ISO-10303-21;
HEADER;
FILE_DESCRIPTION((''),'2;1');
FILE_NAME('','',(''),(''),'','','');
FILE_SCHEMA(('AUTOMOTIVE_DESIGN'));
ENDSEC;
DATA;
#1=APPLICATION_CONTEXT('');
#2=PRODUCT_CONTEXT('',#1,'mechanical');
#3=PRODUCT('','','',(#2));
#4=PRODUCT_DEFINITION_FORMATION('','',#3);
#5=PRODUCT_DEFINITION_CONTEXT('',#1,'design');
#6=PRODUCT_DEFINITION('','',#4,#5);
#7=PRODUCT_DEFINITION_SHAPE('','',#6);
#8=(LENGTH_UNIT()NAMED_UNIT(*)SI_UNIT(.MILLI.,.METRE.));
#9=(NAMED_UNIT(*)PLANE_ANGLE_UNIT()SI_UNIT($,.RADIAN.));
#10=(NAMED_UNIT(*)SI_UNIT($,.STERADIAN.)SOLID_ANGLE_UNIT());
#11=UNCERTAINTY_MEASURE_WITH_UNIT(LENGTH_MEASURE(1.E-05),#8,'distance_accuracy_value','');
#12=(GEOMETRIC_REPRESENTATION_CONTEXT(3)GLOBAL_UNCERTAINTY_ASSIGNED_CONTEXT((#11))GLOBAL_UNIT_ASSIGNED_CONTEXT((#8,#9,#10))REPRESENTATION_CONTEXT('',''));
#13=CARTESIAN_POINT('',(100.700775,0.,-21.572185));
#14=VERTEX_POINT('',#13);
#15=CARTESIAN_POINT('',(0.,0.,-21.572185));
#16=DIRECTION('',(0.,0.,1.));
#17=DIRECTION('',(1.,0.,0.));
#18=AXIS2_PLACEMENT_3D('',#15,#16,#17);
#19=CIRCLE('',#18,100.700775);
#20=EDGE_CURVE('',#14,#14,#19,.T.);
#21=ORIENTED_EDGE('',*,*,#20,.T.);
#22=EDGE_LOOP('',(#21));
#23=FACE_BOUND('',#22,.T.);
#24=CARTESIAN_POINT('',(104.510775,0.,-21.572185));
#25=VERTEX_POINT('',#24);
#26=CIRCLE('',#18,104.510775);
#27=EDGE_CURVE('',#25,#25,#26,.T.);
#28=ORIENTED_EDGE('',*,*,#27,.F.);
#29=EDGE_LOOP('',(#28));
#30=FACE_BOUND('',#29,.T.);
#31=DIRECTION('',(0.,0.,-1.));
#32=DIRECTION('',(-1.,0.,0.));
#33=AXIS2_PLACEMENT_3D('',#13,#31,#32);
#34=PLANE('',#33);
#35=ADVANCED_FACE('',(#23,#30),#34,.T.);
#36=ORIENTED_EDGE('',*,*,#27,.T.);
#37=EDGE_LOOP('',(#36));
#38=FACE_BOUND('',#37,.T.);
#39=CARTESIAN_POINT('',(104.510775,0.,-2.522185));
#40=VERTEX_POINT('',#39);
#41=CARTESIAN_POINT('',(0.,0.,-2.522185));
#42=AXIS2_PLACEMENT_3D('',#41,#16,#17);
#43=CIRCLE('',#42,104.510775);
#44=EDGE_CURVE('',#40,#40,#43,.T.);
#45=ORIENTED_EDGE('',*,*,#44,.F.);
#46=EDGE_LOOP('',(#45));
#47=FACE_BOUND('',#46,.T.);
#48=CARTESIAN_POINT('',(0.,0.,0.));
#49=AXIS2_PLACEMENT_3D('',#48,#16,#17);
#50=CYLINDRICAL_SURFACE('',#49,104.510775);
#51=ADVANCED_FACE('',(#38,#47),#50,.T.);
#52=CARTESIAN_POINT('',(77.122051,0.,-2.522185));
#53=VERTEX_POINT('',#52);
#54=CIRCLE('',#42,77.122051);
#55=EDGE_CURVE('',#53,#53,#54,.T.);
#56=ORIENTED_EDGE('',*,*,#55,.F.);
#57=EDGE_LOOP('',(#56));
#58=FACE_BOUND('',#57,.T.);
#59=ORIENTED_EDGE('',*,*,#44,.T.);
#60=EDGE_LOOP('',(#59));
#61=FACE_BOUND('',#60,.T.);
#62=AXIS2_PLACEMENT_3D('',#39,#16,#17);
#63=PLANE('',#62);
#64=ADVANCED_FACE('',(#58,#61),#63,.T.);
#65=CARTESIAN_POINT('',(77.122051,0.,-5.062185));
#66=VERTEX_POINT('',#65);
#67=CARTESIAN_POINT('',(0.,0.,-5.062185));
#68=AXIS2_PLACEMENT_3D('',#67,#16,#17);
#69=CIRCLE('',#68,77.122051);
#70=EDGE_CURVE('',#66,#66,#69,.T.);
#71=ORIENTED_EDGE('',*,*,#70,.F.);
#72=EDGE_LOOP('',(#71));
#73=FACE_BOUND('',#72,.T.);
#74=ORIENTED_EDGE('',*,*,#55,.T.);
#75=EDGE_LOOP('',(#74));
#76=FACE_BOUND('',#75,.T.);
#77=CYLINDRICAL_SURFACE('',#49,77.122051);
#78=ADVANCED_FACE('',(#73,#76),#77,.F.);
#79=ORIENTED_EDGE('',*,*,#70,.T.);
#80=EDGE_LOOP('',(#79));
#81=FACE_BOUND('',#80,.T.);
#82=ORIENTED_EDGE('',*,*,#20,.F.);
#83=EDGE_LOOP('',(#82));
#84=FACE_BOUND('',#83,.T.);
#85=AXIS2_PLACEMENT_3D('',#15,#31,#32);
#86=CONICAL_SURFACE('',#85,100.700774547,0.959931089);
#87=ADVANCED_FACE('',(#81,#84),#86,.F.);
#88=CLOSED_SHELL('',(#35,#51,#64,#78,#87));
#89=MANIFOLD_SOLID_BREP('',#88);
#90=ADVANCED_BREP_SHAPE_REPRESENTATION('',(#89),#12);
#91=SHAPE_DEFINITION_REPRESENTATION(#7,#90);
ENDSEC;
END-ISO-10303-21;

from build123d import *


with BuildPart() as part:
    # Sketch1 → Revolve1 (revolve)
    with BuildSketch(Plane(origin=(0, 0, 0), x_dir=(1, 0, 0), z_dir=(0, 1, 0))):
        Polygon((77.122050956, 2.522185059), (77.122050956, 5.062185059), (100.700774547, 21.572185059), (104.510774547, 21.572185059), (104.510774547, 2.522185059), align=None)
    revolve(axis=Axis((0, 0, 0), (0, 0, -1)))


solid = part.part
